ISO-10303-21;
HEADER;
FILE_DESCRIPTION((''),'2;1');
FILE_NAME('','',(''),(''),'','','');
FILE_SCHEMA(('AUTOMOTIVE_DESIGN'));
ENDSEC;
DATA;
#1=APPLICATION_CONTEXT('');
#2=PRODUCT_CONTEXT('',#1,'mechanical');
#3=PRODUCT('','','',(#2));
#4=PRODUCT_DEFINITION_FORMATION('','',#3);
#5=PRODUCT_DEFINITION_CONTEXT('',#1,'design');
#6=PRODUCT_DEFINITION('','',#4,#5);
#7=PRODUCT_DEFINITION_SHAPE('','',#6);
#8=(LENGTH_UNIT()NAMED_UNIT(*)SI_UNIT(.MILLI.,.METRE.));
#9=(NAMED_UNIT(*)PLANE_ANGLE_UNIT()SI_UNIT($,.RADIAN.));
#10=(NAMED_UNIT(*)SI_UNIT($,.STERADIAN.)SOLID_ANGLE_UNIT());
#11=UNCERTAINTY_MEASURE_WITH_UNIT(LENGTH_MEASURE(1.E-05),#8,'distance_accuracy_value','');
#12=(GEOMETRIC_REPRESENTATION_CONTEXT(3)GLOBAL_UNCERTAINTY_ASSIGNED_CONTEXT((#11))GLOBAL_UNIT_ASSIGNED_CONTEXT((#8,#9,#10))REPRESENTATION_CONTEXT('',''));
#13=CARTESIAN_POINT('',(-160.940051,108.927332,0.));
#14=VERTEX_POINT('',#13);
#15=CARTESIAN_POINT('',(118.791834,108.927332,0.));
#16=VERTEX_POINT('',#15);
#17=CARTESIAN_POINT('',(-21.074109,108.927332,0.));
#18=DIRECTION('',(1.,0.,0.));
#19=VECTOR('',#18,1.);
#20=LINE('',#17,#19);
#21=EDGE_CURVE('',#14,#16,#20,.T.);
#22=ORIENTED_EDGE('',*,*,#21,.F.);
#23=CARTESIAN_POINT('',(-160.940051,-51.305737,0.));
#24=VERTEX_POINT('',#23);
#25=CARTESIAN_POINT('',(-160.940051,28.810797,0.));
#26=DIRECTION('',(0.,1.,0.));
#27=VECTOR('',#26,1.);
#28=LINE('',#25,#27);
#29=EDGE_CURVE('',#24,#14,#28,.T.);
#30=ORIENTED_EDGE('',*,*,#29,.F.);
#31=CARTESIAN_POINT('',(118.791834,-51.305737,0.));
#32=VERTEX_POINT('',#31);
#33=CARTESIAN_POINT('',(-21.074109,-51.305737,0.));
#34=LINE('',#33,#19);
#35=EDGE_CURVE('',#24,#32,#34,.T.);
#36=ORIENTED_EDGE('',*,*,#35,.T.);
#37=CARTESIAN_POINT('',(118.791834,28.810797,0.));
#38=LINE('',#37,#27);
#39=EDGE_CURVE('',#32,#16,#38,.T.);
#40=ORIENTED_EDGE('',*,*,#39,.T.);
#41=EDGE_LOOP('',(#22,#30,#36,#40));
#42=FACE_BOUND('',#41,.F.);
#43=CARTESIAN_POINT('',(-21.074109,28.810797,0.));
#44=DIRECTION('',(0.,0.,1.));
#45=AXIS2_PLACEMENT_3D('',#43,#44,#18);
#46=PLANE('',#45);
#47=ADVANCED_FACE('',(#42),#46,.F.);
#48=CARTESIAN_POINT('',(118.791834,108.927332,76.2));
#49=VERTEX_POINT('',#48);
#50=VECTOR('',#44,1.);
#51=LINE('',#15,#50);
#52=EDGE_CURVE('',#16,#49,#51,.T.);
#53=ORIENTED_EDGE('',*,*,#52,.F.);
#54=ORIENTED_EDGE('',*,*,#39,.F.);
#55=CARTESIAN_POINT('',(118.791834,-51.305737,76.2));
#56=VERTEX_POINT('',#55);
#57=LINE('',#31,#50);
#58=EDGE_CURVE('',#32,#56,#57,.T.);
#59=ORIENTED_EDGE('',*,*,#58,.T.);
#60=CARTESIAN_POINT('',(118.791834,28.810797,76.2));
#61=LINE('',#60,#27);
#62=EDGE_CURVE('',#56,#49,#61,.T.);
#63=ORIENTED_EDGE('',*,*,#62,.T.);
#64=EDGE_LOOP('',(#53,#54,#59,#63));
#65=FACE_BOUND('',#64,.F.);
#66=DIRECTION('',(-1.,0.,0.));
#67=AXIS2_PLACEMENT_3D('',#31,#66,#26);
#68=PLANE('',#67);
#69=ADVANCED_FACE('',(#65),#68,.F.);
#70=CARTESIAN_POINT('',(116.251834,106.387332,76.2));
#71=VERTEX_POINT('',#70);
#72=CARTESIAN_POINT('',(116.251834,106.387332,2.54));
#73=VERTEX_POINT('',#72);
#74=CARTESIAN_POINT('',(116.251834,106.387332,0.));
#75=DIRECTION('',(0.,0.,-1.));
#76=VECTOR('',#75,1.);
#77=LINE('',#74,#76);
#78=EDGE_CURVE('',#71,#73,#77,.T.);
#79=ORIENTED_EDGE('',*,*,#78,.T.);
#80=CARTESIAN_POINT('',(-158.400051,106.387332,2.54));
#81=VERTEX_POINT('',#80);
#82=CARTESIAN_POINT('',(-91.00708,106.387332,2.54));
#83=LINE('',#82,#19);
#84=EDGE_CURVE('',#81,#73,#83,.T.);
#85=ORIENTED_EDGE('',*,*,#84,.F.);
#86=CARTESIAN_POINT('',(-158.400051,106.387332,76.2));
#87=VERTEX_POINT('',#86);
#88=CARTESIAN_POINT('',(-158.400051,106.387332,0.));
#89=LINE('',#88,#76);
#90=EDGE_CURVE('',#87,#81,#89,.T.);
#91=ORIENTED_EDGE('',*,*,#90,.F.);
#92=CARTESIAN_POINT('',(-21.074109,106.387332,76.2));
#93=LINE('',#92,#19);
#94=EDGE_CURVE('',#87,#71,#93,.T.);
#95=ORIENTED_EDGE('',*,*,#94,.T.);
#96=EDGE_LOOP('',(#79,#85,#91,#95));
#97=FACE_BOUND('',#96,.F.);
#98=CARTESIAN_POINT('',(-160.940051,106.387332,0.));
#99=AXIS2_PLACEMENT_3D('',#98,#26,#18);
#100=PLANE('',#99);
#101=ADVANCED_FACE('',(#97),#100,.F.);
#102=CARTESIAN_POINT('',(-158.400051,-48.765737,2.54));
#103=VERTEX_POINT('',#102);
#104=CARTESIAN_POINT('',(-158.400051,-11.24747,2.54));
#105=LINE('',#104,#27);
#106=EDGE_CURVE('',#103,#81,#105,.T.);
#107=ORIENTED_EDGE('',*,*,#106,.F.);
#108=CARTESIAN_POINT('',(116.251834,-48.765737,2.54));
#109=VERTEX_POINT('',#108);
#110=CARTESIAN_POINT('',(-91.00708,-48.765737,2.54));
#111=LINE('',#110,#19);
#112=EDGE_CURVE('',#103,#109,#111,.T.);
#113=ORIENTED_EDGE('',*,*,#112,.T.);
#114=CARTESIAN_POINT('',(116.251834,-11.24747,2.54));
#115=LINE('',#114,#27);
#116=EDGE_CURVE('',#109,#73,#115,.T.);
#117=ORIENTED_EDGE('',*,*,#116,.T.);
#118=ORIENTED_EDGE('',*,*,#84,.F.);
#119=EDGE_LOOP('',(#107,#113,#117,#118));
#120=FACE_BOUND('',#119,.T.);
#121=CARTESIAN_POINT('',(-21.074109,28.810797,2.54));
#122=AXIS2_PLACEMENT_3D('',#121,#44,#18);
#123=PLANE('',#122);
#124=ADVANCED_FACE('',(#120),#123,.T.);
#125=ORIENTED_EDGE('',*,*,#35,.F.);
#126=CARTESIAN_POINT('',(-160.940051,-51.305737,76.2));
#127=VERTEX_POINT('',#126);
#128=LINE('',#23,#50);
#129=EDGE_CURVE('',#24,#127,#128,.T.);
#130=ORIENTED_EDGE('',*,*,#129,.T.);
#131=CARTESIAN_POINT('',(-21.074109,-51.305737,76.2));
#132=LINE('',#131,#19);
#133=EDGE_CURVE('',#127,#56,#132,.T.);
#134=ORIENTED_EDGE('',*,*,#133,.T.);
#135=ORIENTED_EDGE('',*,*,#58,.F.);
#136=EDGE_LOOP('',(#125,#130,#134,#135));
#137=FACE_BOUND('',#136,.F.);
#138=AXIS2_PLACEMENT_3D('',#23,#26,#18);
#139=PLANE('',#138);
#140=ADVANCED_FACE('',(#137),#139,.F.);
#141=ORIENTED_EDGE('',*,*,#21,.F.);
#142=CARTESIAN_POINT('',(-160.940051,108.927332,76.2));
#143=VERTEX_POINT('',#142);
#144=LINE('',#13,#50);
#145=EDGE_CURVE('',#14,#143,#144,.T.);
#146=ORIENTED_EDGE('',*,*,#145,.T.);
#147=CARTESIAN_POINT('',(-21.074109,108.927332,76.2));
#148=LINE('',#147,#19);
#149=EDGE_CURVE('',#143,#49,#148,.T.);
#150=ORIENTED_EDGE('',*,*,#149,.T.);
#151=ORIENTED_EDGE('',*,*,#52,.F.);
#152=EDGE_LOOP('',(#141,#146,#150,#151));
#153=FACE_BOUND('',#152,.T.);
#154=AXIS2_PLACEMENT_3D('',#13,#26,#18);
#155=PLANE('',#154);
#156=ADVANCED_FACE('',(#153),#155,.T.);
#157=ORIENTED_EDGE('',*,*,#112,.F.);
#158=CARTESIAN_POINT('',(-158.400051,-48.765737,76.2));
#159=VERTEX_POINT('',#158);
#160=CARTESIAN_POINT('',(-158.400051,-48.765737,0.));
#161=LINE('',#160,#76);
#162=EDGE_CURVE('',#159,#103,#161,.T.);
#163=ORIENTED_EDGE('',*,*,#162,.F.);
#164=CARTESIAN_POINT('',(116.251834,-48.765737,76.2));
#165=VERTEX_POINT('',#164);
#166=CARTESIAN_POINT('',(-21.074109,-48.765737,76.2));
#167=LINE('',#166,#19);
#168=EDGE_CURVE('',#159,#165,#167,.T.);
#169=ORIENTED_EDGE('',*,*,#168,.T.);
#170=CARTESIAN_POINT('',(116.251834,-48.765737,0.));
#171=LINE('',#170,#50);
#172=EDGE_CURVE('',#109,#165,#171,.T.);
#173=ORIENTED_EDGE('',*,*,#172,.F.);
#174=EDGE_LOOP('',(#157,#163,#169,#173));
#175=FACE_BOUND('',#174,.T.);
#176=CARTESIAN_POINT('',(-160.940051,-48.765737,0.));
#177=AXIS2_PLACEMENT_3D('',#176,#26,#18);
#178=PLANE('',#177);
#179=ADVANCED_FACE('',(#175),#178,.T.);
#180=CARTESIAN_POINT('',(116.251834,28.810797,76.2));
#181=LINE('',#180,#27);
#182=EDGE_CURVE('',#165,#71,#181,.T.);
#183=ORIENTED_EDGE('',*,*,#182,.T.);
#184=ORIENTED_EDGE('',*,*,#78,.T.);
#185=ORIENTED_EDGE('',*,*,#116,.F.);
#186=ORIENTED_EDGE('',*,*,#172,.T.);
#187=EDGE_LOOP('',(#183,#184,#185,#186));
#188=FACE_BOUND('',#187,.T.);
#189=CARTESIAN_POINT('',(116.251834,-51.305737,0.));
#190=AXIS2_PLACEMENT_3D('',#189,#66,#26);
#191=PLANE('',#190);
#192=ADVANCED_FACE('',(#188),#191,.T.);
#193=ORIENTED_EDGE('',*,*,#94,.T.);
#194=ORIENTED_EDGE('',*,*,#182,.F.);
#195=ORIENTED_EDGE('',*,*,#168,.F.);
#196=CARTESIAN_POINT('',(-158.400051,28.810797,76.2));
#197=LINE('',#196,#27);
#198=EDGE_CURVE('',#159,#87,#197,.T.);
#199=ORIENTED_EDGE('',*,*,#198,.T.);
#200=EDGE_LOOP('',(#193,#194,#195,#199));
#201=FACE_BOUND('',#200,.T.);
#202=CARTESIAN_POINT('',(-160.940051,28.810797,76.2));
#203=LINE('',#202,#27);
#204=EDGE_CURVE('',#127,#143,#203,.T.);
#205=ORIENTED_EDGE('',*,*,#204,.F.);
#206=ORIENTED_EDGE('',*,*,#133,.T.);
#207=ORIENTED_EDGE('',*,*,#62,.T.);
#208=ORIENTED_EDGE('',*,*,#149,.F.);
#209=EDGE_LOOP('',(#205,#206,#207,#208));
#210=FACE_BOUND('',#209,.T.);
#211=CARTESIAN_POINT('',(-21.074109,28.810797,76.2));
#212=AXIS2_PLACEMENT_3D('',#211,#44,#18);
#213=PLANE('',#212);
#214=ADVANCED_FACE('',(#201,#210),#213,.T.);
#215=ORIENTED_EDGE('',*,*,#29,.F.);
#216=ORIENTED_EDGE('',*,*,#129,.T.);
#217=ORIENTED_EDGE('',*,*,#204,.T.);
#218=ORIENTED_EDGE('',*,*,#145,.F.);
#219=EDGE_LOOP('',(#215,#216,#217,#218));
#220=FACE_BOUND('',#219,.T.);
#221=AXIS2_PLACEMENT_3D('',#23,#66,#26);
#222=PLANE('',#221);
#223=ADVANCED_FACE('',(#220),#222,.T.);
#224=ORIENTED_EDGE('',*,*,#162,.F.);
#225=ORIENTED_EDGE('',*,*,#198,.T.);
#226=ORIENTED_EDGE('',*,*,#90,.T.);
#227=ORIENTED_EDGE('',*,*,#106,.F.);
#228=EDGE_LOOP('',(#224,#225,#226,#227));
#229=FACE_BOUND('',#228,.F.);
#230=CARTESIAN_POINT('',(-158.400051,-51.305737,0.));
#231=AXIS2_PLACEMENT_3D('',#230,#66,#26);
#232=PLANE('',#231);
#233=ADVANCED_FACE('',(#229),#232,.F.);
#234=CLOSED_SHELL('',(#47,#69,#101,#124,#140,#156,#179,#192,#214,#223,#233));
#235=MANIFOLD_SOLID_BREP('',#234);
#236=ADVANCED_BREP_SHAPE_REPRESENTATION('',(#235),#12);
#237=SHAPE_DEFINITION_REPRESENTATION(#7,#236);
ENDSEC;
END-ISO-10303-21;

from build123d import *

# Parameters (mm, degrees)
F0_W     = 132.6081287116
F0_H     = 90.7132923603
F1_DEPTH = 76.2
F3_W     = 279.7318845987
F3_H     = 160.2330692112
F4_DEPTH = 76.2
F5_T     = -2.54


with BuildPart() as f1:
    # F0 (on Right) → F1 (new body)
    with BuildSketch(Plane.YZ):
        with Locations((-39.4802326337, -12.3488530517)):
            Rectangle(F0_W, F0_H)
    extrude(amount=F1_DEPTH)


with BuildPart() as f4:
    # F3 (on Top) → F4 (new body)
    with BuildSketch(Plane.XY):
        with Locations((-21.0741087794, 28.8107972592)):
            Rectangle(F3_W, F3_H)
    extrude(amount=F4_DEPTH)

    # F5
    f5_openings = [f4.faces().sort_by_distance(p)[0] for p in [
        (-21.074109, 28.810797, 76.2),
    ]]
    offset(amount=F5_T, openings=f5_openings)


solid = f4.part
